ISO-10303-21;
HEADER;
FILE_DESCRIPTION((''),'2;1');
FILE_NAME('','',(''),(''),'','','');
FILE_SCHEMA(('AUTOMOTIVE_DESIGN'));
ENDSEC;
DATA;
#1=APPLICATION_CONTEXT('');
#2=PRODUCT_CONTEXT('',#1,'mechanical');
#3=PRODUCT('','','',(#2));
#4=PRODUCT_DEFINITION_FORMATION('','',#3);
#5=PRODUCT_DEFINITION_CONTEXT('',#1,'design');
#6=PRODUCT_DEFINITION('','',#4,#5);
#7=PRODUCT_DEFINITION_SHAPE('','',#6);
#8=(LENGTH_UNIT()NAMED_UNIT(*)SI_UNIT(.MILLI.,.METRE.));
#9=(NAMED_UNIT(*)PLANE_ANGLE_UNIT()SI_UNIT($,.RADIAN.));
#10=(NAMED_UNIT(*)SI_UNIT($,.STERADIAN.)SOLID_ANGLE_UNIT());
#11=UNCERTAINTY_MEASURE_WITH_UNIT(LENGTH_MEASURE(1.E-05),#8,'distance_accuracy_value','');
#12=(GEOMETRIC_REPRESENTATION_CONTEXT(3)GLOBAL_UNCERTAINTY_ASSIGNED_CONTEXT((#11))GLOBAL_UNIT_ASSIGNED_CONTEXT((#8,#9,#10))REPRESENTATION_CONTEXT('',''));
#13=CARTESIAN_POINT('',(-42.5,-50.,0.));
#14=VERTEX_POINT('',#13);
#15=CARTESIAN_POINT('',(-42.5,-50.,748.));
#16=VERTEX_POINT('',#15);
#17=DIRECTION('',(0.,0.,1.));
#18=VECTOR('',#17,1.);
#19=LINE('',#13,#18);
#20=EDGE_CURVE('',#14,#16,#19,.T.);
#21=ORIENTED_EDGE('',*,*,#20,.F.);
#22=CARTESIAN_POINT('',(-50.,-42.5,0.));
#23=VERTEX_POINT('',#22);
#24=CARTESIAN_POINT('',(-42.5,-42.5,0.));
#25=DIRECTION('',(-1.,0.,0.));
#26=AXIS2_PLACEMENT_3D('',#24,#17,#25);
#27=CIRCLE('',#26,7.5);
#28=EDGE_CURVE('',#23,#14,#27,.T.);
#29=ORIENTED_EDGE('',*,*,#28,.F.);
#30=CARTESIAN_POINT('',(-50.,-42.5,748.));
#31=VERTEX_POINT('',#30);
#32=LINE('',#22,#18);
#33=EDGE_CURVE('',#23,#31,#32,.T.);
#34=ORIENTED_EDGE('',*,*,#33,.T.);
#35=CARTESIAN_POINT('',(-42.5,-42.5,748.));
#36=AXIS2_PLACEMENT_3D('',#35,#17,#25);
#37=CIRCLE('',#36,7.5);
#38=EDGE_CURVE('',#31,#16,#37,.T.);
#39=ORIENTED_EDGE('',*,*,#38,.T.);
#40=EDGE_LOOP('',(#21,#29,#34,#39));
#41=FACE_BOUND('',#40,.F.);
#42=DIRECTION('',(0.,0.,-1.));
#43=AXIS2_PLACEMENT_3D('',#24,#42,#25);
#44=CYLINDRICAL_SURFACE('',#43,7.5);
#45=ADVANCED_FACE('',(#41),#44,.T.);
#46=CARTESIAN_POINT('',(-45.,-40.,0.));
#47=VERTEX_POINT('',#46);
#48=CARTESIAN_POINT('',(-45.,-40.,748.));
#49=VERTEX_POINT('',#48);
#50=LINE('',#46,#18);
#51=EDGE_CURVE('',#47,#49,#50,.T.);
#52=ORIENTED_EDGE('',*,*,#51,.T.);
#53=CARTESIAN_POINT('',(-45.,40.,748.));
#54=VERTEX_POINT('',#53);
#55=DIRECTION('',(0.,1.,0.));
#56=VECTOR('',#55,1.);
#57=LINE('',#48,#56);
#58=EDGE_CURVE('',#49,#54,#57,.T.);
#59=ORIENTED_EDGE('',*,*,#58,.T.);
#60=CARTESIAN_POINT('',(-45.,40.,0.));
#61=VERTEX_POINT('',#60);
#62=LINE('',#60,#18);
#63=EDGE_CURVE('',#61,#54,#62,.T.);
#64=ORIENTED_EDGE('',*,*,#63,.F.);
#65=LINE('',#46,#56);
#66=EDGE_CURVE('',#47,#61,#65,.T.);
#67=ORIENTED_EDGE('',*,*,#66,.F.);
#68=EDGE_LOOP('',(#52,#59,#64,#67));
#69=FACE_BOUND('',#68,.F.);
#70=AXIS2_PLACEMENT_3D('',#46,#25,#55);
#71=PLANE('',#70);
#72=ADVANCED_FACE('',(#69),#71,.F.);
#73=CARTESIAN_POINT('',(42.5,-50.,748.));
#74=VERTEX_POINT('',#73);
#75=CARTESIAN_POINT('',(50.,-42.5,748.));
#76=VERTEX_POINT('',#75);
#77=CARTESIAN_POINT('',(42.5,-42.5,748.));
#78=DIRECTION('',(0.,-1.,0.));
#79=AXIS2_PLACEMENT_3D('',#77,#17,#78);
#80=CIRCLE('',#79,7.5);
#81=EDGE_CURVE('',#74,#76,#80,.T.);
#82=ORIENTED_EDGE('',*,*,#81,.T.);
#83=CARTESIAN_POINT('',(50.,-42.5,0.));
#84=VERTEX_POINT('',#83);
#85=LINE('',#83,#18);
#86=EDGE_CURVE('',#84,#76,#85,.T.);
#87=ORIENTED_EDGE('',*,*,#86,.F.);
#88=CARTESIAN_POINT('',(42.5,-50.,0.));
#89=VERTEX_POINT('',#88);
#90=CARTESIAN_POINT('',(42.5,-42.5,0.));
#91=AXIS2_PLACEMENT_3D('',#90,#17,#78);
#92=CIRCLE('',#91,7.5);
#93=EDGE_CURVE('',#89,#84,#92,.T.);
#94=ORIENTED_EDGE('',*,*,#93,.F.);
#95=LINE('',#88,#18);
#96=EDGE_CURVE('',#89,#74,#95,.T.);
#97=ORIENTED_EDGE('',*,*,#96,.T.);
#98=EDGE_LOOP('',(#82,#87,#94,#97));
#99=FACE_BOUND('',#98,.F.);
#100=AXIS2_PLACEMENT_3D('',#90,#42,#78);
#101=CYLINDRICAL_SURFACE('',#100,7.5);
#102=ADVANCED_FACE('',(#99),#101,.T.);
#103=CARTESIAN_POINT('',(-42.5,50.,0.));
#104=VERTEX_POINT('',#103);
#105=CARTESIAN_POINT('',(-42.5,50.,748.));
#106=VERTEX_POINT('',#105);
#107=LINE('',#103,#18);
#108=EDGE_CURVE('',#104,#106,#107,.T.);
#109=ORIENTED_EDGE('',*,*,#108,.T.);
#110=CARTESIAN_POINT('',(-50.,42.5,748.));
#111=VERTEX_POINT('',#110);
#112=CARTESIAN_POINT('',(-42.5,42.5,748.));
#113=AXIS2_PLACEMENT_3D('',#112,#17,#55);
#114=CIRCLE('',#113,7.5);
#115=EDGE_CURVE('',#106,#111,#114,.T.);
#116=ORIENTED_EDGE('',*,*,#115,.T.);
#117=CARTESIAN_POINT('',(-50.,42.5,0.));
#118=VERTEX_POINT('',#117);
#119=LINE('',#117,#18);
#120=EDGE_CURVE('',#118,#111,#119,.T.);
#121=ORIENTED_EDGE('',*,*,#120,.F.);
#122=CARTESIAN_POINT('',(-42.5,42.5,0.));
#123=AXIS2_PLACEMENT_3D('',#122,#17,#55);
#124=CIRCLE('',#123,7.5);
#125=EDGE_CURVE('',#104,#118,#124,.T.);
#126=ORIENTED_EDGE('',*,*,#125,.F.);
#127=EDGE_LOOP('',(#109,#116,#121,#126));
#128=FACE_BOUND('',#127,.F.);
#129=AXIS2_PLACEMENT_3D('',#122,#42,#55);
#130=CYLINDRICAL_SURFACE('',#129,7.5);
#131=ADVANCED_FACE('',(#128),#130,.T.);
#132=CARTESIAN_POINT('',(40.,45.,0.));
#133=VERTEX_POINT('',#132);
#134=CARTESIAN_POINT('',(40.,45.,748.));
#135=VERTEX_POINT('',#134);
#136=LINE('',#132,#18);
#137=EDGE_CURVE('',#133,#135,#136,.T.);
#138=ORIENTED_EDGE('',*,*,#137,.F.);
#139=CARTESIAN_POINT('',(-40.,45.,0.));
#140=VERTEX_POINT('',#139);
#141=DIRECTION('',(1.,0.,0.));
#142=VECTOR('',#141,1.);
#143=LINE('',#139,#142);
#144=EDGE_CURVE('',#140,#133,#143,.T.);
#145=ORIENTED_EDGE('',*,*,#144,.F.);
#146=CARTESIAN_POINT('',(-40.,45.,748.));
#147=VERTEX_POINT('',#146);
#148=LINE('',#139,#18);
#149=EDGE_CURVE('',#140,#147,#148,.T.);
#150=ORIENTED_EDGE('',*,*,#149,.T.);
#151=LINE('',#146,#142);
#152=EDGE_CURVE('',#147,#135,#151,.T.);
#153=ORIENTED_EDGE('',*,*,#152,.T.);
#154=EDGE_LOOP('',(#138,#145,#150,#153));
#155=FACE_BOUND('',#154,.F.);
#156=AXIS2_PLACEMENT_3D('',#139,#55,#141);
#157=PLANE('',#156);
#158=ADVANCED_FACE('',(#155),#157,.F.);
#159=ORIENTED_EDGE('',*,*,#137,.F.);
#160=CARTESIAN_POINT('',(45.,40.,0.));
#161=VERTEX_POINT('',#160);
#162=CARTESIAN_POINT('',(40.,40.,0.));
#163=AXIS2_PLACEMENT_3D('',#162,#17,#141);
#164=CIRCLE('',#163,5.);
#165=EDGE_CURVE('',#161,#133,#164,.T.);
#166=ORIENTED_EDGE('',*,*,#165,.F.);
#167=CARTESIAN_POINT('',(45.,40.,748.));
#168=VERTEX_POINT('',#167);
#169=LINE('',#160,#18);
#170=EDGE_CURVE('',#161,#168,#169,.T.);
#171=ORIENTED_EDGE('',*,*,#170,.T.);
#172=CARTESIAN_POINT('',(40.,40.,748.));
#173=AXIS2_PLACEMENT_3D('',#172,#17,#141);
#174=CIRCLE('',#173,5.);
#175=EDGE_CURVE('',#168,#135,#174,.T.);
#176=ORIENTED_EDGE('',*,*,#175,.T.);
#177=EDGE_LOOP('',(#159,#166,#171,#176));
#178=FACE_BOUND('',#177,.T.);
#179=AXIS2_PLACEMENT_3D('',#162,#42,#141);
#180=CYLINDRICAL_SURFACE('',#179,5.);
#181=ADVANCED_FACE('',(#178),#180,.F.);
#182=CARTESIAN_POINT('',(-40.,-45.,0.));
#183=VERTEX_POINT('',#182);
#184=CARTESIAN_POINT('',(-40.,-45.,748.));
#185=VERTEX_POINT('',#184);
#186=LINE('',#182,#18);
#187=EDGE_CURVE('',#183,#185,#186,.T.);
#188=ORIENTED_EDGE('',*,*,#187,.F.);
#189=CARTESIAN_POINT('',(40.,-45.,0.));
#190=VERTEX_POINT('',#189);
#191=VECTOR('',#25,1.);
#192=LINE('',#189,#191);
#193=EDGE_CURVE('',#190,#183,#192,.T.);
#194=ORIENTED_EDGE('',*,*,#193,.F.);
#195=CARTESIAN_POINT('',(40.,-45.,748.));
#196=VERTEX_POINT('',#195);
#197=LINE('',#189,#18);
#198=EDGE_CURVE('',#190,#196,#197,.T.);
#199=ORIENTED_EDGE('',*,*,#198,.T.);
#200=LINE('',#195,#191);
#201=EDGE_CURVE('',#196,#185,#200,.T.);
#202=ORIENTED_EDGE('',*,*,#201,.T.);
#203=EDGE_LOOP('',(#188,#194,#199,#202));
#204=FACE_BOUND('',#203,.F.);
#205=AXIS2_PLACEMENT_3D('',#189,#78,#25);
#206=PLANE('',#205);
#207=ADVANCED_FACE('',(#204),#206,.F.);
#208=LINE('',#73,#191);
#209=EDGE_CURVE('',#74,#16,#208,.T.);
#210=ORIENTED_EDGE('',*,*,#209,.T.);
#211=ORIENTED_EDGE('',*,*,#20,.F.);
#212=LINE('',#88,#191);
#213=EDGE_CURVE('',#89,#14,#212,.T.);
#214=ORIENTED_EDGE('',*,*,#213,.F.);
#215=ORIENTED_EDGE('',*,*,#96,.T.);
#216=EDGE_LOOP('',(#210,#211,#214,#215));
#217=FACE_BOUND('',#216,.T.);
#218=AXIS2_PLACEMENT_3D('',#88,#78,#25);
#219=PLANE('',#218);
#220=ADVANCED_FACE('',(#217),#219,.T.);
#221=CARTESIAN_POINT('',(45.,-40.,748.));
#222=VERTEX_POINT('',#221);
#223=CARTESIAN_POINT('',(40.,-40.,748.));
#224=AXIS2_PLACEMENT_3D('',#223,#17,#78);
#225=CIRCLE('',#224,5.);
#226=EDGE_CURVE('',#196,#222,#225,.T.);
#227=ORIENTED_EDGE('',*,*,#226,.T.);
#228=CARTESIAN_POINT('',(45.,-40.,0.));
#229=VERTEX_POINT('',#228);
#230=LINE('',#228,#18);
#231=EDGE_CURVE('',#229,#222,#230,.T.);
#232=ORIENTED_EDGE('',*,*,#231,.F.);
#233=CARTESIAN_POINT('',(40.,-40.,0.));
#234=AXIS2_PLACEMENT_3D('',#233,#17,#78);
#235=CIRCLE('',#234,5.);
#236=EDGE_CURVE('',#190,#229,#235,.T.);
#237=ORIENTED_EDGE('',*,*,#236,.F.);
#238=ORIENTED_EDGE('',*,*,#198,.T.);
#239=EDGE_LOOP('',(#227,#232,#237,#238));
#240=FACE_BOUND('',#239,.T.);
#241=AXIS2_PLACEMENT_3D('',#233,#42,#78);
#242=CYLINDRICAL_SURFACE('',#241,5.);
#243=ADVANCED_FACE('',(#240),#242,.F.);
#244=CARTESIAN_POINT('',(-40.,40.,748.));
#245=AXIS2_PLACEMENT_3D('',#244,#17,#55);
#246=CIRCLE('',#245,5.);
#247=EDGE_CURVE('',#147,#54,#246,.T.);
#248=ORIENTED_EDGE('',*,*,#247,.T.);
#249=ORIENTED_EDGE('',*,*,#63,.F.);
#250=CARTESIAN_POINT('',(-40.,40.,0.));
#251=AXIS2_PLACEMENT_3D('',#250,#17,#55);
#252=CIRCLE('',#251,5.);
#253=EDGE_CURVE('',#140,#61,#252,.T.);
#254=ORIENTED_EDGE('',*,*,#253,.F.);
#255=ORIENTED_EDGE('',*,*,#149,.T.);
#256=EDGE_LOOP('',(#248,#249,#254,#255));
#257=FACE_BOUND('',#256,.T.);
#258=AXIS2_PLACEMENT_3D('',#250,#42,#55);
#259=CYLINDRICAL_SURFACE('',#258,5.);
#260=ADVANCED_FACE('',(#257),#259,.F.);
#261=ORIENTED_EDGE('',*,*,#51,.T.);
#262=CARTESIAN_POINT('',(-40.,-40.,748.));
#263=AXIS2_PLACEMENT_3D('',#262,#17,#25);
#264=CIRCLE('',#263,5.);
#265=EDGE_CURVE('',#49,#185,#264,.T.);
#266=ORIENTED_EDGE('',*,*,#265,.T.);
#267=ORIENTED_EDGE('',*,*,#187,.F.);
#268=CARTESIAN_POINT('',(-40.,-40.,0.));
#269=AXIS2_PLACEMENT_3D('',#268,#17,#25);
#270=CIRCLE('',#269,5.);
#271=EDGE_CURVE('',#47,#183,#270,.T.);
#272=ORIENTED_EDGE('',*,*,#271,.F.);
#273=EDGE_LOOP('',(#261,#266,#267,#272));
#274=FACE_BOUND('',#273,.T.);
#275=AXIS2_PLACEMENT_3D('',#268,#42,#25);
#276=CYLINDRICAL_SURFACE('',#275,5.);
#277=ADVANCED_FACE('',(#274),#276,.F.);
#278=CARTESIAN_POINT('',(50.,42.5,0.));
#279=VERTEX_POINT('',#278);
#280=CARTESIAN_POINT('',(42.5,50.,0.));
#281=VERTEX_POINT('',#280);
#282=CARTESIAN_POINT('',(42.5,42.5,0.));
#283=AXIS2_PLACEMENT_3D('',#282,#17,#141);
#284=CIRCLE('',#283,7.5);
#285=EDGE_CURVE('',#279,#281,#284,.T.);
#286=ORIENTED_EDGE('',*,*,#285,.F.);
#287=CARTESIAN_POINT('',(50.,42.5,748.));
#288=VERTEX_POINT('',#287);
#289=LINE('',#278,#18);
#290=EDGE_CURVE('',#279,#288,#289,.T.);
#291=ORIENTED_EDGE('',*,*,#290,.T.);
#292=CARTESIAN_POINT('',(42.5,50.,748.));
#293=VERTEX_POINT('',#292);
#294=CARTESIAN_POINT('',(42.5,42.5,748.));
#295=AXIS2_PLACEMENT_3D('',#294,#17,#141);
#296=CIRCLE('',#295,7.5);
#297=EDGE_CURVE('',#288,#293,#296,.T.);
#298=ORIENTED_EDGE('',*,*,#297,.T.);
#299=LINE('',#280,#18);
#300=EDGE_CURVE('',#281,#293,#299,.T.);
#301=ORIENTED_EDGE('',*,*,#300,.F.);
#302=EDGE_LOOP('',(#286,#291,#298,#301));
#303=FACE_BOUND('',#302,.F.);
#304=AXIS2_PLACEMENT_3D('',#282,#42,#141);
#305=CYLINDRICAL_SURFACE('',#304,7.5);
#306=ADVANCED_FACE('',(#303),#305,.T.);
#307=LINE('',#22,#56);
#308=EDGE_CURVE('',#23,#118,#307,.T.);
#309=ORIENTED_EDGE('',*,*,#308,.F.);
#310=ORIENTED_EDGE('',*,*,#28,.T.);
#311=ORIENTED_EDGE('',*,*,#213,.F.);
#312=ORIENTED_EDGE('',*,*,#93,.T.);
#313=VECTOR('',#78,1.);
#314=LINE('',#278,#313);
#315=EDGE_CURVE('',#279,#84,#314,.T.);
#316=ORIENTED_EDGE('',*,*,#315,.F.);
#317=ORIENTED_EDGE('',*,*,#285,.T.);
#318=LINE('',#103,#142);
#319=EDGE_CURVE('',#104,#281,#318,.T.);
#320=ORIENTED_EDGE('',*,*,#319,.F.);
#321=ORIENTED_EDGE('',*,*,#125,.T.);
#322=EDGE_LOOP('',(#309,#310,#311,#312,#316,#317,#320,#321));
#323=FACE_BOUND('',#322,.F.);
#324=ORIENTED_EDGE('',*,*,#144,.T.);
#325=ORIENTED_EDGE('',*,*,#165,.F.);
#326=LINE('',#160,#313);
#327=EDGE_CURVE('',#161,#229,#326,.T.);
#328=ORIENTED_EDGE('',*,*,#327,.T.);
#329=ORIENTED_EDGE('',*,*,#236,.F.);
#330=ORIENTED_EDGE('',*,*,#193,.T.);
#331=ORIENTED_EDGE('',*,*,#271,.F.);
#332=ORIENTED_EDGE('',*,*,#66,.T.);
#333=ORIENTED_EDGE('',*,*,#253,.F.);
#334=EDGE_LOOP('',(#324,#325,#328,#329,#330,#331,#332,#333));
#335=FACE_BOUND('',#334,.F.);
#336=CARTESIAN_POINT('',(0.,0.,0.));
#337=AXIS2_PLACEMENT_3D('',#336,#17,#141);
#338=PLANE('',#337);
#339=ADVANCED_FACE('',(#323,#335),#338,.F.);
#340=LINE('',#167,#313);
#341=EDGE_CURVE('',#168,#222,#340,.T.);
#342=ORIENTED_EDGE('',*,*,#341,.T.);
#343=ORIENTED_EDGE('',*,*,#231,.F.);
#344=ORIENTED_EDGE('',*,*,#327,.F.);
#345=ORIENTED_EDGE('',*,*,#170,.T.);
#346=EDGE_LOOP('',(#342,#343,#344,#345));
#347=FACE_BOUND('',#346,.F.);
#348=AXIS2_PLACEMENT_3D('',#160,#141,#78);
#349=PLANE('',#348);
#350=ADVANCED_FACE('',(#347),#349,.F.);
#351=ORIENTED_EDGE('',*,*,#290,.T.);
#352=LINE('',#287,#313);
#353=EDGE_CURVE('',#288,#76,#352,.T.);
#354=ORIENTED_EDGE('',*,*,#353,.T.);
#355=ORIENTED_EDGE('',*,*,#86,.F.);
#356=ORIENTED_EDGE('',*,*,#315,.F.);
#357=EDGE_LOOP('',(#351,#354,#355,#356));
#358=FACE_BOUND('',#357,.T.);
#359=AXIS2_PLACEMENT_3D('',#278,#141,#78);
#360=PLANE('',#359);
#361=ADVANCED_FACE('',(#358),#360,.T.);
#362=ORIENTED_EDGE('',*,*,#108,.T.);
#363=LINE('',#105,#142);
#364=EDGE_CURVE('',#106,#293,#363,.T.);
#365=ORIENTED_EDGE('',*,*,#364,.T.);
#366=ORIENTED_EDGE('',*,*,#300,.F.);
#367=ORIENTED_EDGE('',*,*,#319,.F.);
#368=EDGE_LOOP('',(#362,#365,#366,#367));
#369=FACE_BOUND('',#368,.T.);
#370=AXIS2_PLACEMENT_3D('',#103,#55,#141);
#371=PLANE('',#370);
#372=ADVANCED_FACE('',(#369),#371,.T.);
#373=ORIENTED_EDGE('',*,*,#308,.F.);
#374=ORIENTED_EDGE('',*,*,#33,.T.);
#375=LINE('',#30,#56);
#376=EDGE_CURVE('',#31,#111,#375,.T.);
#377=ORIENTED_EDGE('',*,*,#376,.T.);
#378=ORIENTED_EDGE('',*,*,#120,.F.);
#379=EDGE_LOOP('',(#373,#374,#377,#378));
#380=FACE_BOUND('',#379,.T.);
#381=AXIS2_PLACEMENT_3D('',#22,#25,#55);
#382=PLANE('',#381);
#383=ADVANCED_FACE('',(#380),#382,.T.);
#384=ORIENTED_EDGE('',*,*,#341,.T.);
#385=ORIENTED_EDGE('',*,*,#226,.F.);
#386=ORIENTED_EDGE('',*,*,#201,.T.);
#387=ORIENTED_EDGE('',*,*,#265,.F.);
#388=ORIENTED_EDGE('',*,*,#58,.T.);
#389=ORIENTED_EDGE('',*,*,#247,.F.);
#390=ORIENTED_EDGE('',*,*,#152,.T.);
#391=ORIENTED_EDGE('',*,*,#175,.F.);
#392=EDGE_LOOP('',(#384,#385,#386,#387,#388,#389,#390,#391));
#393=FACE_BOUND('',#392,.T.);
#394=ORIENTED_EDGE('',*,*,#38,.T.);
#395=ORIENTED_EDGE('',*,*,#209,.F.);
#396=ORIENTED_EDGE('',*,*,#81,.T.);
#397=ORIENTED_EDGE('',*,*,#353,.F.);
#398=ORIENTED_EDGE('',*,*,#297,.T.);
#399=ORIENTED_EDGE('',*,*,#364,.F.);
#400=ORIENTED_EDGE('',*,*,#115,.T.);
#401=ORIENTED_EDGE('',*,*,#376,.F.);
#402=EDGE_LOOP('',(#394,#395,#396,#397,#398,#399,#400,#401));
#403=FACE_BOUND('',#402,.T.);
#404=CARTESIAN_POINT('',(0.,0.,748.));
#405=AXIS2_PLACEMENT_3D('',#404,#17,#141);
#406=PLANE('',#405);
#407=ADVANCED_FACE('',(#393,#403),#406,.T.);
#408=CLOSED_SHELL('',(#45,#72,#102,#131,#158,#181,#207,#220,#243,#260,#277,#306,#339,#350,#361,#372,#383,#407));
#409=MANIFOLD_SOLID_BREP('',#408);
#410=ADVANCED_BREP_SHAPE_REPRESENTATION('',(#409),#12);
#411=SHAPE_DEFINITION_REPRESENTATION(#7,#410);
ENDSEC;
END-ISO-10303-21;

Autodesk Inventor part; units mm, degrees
ref_plane "YZ Plane" through (0, 0, 0) normal (1, 0, 0) x (0, 1, 0)
ref_plane "Start Plane" through (0, 0, 0) normal (0, 0, 1) x (1, 0, 0)
ref_plane "End Plane" through (0, 0, 748) normal (0, 0, 1) x (1, 0, 0)
sketch "Sketch" plane through (0, 0, 0) normal (0, 0, 1) x (1, 0, 0)
  line L0 (-50, -42.5) -> (-50, 42.5)
  line L1 (-42.5, 50) -> (42.5, 50)
  line L2 (50, 42.5) -> (50, -42.5)
  line L3 (42.5, -50) -> (-42.5, -50)
  arc A0 (-50, -42.5) -> (-42.5, -50) centre (-42.5, -42.5) ccw
  arc A1 (-42.5, 50) -> (-50, 42.5) centre (-42.5, 42.5) ccw
  arc A2 (50, 42.5) -> (42.5, 50) centre (42.5, 42.5) ccw
  arc A3 (42.5, -50) -> (50, -42.5) centre (42.5, -42.5) ccw
  line L4 (-40, 45) -> (40, 45)
  line L5 (45, 40) -> (45, -40)
  line L6 (40, -45) -> (-40, -45)
  line L7 (-45, -40) -> (-45, 40)
  line L8 (0, 72.1746) -> (0, -72.1746) construction
  line L9 (-72.1746, 0) -> (72.1746, 0) construction
  arc A4 (-45, -40) -> (-40, -45) centre (-40, -40) ccw
  arc A5 (-40, 45) -> (-45, 40) centre (-40, 40) ccw
  arc A6 (45, 40) -> (40, 45) centre (40, 40) ccw
  arc A7 (40, -45) -> (45, -40) centre (40, -40) ccw
  dimension "d7" = 7.5
  dimension "d10" = 100
  dimension "d11" = 100
  dimension "d12" = 5
  dimension "d15" = 50
  dimension "d16" = 50
  dimension "d19" = 5
  dimension "d20" = 5
extrude "Body" add sketch "Sketch" along normal up to surface (748 mm away) from surface at 0
sketch "Sketch3" plane through (0, 0, 0) normal (0, 0, 1) x (1, 0, 0)
  line L0 (0, 0) -> (10, 0)
ref_plane "Work Plane3" through (0, 0, 0) normal (0, -1, 0) x (1, 0, 0)
sketch "Sketch4" plane through (0, 0, 0) normal (0, -1, 0) x (1, 0, 0)
  line L0 (-2, 0) -> (12, 0) projected
  line L1 (-2, 748) -> (12, 748) projected
  dimension "d18" = 748
equation "\"d7\" = G_IR"
equation "\"d10\" = G_H"
equation "\"d11\" = G_W"
equation "\"d12\" = G_T"
equation "\"d15\" = 0.5 * d10"
equation "\"d16\" = 0.5 * d11"
equation "\"d19\" = G_T"
equation "\"d20\" = G_T"
equation "\"d3\" = G_L"
equation "\"G_W\" = 100"
equation "\"G_H\" = 100"
equation "\"G_T\" = 5"
equation "\"G_IR\" = 7.5"
equation "\"G_L\" = d18"
equation "\"G_OFFSET_START\" = 0"
equation "\"G_OFFSET_END\" = 0"
equation "\"d14\" = G_OFFSET_END + B_L"
equation "\"B_L\" = 748"
properties part number "DIN EN 10210-2 - 100 x 100 x 5 - 748" material "Steel, Mild"
